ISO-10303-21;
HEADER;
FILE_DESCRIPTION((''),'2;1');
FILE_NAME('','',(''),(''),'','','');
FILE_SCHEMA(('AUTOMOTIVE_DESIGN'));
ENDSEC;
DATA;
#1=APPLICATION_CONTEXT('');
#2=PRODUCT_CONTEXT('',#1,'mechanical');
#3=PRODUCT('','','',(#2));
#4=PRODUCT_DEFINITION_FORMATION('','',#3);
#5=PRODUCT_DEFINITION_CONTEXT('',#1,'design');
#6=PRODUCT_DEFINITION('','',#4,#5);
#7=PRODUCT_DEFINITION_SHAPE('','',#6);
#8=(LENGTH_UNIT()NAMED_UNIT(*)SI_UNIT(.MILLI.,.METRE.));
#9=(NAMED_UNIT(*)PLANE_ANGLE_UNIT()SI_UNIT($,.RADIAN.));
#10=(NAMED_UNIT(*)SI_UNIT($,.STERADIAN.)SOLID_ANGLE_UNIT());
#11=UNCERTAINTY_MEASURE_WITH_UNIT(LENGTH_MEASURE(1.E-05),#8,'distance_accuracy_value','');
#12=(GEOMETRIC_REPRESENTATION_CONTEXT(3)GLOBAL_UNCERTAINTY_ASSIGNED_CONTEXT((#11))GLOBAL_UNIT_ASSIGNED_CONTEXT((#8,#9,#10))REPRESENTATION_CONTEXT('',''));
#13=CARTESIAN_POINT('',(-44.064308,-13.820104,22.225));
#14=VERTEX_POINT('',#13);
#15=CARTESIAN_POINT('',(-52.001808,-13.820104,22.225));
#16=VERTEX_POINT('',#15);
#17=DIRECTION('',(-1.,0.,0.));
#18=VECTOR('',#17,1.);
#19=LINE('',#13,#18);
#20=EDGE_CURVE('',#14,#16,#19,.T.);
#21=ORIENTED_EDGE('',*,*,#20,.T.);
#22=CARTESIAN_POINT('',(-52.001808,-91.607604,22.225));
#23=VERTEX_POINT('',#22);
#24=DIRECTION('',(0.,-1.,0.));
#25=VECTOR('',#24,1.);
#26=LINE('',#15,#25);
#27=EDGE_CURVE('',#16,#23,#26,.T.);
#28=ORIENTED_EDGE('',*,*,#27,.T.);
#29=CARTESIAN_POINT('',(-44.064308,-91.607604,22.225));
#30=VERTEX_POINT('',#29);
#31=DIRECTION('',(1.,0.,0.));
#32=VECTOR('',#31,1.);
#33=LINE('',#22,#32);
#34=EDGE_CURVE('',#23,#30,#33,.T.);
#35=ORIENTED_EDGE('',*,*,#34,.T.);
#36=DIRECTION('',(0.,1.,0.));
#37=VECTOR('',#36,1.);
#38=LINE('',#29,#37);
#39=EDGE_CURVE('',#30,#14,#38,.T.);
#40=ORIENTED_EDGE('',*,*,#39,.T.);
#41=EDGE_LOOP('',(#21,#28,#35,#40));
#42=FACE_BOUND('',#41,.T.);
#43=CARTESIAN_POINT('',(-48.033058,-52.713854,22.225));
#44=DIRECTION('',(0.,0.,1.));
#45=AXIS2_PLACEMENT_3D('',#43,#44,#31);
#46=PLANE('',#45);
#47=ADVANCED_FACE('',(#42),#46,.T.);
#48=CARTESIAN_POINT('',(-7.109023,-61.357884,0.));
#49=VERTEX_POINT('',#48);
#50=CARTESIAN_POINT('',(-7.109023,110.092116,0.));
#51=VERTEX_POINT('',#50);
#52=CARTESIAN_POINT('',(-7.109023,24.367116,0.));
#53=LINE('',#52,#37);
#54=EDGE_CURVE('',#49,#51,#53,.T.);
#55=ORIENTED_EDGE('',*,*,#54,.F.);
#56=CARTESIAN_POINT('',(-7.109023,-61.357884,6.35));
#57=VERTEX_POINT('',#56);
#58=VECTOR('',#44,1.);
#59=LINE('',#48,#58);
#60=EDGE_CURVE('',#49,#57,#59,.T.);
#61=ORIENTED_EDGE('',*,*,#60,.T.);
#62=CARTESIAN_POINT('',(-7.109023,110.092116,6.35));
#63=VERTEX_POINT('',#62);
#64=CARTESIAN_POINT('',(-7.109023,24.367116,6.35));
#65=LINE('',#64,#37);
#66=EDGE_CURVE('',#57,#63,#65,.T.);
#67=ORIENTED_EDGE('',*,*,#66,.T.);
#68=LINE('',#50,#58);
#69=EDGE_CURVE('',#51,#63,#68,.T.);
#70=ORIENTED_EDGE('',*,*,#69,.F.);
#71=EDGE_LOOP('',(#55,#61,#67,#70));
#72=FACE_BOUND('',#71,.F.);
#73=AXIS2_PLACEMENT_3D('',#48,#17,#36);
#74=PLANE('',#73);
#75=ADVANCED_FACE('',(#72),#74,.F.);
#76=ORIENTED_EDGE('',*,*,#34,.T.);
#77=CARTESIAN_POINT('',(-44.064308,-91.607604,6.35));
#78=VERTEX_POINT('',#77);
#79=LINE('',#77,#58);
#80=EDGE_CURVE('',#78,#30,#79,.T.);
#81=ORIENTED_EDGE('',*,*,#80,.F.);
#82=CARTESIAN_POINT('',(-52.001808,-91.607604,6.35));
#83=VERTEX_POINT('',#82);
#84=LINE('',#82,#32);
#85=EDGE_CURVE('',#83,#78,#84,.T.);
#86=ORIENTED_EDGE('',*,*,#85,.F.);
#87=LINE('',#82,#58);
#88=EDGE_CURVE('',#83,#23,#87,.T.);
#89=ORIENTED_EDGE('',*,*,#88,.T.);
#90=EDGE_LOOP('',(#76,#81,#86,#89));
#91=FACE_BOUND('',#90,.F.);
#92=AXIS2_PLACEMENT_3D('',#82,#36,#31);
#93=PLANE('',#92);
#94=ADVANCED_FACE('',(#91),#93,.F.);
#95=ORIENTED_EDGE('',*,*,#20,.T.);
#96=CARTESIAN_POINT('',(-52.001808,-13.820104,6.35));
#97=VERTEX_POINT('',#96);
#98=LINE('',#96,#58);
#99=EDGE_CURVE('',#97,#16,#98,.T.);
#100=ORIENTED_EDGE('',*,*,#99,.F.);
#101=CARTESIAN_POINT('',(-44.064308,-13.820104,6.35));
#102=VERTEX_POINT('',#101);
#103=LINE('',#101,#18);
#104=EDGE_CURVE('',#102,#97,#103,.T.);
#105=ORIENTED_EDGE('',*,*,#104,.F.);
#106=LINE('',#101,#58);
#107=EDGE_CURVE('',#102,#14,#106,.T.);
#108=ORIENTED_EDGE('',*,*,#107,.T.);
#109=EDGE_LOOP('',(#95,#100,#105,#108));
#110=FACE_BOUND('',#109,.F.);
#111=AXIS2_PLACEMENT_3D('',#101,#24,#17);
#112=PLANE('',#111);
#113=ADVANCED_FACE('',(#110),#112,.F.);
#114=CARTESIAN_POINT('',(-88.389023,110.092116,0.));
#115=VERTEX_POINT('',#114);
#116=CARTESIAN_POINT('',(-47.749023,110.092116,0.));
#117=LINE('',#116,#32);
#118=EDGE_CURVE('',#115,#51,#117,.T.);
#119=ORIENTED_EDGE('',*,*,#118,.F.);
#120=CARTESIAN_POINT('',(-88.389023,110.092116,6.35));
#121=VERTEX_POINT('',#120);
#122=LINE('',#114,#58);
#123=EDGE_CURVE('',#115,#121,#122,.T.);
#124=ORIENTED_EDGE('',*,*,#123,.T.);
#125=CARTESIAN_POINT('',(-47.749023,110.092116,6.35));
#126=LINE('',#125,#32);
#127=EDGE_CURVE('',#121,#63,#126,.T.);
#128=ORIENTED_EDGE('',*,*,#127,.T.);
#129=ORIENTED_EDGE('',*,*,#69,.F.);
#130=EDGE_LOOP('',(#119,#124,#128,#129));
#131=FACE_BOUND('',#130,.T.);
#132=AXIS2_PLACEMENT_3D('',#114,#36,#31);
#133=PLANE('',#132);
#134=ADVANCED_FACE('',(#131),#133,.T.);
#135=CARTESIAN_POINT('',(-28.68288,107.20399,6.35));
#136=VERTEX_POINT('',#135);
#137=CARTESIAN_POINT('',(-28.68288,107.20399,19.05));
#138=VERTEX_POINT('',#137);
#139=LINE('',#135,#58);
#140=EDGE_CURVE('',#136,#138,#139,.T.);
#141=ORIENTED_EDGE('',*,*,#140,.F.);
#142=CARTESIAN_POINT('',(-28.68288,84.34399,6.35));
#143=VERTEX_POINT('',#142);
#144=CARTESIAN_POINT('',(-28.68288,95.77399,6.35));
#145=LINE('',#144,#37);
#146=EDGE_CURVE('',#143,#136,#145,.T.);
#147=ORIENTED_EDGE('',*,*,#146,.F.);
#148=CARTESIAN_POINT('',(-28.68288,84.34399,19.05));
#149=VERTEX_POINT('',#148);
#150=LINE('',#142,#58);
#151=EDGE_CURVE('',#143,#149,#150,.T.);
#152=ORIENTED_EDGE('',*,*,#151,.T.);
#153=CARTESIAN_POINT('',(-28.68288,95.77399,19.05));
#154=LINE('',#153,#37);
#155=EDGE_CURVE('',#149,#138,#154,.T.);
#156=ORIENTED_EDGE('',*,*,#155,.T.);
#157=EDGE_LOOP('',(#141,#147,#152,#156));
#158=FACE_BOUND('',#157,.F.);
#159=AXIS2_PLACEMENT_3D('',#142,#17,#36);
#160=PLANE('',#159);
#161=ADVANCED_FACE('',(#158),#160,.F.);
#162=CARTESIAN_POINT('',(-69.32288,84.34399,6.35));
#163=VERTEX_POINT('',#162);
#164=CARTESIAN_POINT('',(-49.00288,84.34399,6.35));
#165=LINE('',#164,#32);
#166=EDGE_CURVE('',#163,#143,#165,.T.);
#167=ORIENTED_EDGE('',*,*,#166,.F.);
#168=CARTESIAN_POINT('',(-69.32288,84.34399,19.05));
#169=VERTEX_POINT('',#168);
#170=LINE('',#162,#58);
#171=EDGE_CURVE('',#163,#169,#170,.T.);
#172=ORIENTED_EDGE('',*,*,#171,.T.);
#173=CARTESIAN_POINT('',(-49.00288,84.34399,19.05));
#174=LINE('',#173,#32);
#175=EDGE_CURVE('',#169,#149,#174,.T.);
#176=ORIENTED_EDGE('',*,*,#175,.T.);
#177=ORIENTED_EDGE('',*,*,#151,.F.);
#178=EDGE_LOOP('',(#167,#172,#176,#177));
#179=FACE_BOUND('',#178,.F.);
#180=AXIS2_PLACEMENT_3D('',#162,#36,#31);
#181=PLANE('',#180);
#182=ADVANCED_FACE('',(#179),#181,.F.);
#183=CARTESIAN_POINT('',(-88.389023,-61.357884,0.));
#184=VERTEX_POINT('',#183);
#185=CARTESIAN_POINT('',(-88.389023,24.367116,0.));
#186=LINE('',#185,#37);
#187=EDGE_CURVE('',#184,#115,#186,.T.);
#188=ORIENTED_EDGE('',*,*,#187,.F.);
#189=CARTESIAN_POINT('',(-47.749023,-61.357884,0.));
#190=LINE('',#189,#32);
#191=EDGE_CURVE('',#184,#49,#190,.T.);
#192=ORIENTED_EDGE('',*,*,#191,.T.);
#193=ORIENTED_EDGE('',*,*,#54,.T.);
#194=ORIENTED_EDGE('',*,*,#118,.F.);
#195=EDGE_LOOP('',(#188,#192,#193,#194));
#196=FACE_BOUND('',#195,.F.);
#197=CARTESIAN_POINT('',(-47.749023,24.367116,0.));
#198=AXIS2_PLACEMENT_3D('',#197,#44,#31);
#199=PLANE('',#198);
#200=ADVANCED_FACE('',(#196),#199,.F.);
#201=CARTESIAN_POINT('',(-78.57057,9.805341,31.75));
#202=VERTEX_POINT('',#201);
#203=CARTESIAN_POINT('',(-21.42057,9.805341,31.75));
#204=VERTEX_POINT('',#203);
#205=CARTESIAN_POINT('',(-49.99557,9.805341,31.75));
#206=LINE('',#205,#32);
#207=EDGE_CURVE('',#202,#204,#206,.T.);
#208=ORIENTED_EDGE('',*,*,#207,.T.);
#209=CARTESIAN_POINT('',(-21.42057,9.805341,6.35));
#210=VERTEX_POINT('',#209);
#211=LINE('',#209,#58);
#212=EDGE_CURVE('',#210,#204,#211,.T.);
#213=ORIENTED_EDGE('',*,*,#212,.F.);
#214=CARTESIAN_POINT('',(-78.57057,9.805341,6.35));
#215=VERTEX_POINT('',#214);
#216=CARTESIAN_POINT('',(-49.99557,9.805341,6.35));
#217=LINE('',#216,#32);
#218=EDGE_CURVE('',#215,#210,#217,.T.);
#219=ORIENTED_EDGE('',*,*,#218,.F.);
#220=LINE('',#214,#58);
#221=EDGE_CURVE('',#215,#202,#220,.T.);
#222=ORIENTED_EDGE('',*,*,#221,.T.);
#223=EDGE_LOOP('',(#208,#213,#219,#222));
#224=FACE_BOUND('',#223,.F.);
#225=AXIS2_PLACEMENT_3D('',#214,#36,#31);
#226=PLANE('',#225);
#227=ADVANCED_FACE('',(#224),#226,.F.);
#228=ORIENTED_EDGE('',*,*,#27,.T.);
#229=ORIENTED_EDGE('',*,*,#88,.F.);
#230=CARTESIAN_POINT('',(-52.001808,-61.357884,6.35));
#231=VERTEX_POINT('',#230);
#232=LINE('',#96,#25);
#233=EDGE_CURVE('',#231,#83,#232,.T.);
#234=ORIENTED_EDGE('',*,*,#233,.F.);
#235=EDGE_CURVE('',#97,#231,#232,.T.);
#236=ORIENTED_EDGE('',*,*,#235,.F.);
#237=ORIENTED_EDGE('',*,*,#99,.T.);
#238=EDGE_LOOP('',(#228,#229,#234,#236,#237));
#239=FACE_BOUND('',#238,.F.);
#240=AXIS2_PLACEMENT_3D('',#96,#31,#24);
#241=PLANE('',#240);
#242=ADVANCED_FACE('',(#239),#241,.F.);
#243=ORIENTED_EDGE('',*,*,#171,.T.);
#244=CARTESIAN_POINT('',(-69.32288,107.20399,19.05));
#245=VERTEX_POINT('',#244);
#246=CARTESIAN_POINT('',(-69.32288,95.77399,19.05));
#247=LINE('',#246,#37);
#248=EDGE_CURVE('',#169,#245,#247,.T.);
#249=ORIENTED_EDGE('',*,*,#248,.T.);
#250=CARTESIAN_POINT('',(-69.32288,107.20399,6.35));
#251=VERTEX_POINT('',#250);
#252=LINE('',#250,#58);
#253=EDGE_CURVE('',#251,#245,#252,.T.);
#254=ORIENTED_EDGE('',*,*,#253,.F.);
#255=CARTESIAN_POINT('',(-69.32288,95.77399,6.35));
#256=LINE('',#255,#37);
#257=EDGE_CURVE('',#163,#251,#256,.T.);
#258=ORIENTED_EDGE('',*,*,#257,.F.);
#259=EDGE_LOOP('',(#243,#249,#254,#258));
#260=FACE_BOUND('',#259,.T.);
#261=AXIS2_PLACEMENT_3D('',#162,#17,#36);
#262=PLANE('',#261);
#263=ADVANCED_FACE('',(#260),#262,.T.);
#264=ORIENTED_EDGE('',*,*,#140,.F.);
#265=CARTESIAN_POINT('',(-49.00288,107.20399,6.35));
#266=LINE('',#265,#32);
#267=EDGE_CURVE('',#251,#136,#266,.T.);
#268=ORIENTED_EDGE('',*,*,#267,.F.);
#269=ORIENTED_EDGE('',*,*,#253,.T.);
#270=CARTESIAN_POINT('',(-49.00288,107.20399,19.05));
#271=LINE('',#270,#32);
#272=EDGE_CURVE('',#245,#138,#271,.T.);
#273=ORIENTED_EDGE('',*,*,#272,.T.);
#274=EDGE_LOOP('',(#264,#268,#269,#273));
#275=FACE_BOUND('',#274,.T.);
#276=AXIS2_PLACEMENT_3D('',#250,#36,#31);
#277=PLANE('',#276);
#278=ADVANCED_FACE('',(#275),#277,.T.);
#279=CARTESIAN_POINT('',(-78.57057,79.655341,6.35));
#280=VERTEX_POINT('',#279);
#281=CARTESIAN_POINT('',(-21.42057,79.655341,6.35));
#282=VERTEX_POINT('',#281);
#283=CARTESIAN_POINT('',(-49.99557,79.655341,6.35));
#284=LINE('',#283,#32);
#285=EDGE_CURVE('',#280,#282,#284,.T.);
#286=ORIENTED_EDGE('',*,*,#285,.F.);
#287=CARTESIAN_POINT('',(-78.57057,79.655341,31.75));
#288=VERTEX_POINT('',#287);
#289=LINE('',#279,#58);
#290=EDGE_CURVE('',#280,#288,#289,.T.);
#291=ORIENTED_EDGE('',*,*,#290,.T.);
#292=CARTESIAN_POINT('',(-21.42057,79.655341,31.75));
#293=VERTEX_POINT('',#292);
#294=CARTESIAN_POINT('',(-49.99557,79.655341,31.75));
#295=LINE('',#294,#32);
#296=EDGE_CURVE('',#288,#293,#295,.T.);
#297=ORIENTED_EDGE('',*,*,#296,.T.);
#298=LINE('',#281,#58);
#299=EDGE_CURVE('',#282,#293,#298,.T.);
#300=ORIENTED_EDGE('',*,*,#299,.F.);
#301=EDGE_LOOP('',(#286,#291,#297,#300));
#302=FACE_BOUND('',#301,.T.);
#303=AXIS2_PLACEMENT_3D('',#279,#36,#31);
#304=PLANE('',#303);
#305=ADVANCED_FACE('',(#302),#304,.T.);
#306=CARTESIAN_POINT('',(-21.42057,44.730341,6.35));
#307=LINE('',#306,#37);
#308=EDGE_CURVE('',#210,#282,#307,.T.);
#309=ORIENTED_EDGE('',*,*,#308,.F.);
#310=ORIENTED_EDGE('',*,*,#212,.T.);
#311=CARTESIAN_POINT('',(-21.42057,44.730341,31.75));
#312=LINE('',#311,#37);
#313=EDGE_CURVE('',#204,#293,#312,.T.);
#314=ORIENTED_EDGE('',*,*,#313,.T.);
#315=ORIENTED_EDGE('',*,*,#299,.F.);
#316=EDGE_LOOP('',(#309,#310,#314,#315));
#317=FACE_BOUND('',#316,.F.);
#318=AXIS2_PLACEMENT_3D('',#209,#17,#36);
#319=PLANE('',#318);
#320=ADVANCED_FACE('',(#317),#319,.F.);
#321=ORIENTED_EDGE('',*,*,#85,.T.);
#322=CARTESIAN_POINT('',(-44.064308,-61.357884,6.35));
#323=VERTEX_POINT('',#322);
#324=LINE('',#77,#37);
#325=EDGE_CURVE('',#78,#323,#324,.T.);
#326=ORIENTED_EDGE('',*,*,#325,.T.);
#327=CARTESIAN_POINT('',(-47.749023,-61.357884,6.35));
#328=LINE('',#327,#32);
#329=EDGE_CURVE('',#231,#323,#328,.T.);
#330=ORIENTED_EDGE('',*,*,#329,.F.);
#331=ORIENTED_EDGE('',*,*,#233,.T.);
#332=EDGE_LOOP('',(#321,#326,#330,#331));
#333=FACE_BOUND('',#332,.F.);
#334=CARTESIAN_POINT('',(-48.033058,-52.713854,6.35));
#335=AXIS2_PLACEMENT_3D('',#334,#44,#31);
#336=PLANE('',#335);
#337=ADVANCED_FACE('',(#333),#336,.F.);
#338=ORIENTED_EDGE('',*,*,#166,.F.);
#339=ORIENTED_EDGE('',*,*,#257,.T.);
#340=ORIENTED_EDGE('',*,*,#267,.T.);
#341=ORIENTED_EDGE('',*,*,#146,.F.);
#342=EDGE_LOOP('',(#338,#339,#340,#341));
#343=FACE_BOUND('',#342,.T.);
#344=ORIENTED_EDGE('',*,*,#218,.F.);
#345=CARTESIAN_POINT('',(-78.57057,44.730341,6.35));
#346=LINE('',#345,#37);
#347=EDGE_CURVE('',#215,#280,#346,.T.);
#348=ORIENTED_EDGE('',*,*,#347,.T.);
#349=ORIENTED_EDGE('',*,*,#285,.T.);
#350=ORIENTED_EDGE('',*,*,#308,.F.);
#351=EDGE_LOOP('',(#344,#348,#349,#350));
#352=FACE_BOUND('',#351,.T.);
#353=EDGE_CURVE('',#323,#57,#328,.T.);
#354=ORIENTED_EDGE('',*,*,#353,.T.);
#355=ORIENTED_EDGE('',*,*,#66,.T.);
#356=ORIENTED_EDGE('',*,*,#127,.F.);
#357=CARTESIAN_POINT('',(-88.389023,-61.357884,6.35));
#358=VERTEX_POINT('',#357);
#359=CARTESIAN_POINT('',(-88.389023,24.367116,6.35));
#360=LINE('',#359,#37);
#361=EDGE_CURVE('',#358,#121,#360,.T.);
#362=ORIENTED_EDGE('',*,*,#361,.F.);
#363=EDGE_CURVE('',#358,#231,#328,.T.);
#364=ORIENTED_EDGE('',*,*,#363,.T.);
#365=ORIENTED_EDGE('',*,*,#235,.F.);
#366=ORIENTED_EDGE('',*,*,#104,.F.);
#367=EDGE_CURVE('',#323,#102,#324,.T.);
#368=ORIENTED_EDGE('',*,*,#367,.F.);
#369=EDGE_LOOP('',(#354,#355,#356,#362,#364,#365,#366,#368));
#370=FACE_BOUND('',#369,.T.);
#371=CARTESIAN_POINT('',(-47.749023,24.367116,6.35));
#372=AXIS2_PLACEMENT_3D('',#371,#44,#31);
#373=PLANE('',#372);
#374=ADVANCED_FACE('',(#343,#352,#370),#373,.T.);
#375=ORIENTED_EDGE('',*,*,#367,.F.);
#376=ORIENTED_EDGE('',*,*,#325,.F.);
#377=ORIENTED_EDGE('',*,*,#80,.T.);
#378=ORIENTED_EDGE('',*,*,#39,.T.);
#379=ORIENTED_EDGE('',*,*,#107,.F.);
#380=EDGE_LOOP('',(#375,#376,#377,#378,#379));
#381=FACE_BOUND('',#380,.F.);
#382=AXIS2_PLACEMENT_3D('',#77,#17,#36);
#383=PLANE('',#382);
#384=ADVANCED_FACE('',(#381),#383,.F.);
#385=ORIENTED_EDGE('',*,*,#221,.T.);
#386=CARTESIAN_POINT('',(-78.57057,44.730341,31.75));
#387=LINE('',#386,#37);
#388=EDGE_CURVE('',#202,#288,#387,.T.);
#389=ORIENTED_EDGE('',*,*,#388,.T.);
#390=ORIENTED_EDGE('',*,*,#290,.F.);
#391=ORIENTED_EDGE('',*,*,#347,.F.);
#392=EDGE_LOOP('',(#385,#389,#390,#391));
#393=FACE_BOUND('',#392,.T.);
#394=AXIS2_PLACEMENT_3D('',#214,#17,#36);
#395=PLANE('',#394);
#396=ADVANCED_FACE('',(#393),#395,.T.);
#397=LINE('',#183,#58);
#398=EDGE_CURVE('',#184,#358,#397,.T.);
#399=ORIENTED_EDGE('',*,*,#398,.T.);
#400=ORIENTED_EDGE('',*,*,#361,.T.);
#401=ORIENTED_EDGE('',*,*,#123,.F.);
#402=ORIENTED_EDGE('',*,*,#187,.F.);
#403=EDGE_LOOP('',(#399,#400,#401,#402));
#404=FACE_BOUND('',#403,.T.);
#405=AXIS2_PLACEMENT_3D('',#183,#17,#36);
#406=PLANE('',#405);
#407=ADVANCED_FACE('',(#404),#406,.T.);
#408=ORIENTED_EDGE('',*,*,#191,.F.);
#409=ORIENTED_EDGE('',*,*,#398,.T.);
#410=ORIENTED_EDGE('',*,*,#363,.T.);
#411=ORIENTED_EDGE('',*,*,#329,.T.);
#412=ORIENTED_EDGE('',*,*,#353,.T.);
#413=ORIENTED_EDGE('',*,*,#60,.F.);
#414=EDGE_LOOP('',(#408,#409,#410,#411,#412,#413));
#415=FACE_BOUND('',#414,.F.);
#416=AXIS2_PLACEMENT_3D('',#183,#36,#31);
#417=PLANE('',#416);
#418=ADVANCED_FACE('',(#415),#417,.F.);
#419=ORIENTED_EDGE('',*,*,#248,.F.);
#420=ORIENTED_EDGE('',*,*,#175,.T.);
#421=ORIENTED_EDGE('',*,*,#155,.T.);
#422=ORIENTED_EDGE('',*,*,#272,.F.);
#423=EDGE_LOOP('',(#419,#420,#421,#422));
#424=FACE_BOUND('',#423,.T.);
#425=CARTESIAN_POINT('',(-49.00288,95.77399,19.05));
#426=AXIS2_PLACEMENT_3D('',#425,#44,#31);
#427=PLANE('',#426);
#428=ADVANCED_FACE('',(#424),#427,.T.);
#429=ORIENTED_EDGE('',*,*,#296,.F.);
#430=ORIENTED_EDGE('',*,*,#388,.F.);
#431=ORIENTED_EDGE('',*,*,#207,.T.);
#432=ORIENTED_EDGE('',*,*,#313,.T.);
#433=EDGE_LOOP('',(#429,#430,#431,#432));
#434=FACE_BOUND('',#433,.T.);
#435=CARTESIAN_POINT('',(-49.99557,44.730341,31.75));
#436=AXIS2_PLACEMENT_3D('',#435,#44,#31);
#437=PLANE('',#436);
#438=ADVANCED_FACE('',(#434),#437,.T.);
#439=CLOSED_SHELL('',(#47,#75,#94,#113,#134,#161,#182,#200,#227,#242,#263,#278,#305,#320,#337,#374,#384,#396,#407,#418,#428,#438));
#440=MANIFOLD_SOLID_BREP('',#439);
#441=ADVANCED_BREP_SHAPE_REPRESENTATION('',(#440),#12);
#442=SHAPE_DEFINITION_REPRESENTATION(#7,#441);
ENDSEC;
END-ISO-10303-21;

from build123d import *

# Parameters (mm, degrees)
F0_W     = 81.28
F0_H     = 171.45
F1_DEPTH = 6.35
F2_W     = 57.15
F2_H     = 69.85
F3_DEPTH = 25.4
F4_W     = 40.64
F4_H     = 22.86
F5_DEPTH = 12.7
F6_W     = 4.938572
F6_H     = 47.53778
F6_W_2   = 2.998928
F7_DEPTH = 15.875


with BuildPart() as f1:
    # F0 (on Top) → F1 (new body)
    with BuildSketch(Plane.XY):
        with Locations((-47.749023, 24.367116)):
            Rectangle(F0_W, F0_H)
    extrude(amount=F1_DEPTH)

    # F2 (on face) → F3 (join)
    with BuildSketch(Plane.XY.offset(6.35)):
        with Locations((-49.99557, 44.730341)):
            Rectangle(F2_W, F2_H)
    extrude(amount=F3_DEPTH)

    # F4 (on face) → F5 (join)
    with BuildSketch(Plane.XY.offset(6.35)):
        with Locations((-49.00288, 95.77399)):
            Rectangle(F4_W, F4_H)
    extrude(amount=F5_DEPTH)

    # F6 (on face) → F7 (join)
    with BuildSketch(Plane.XY.offset(6.35)):
        Polygon((-49.00288, -13.820104), (-52.001808, -13.820104), (-52.001808, -91.607604), (-44.064308, -91.607604), (-44.064308, -13.820104), align=None)
        with Locations((-46.533594, -37.588994)):
            Rectangle(F6_W, F6_H)
        with Locations((-50.502344, -37.588994)):
            Rectangle(F6_W_2, F6_H)
    extrude(amount=F7_DEPTH)


solid = f1.part
